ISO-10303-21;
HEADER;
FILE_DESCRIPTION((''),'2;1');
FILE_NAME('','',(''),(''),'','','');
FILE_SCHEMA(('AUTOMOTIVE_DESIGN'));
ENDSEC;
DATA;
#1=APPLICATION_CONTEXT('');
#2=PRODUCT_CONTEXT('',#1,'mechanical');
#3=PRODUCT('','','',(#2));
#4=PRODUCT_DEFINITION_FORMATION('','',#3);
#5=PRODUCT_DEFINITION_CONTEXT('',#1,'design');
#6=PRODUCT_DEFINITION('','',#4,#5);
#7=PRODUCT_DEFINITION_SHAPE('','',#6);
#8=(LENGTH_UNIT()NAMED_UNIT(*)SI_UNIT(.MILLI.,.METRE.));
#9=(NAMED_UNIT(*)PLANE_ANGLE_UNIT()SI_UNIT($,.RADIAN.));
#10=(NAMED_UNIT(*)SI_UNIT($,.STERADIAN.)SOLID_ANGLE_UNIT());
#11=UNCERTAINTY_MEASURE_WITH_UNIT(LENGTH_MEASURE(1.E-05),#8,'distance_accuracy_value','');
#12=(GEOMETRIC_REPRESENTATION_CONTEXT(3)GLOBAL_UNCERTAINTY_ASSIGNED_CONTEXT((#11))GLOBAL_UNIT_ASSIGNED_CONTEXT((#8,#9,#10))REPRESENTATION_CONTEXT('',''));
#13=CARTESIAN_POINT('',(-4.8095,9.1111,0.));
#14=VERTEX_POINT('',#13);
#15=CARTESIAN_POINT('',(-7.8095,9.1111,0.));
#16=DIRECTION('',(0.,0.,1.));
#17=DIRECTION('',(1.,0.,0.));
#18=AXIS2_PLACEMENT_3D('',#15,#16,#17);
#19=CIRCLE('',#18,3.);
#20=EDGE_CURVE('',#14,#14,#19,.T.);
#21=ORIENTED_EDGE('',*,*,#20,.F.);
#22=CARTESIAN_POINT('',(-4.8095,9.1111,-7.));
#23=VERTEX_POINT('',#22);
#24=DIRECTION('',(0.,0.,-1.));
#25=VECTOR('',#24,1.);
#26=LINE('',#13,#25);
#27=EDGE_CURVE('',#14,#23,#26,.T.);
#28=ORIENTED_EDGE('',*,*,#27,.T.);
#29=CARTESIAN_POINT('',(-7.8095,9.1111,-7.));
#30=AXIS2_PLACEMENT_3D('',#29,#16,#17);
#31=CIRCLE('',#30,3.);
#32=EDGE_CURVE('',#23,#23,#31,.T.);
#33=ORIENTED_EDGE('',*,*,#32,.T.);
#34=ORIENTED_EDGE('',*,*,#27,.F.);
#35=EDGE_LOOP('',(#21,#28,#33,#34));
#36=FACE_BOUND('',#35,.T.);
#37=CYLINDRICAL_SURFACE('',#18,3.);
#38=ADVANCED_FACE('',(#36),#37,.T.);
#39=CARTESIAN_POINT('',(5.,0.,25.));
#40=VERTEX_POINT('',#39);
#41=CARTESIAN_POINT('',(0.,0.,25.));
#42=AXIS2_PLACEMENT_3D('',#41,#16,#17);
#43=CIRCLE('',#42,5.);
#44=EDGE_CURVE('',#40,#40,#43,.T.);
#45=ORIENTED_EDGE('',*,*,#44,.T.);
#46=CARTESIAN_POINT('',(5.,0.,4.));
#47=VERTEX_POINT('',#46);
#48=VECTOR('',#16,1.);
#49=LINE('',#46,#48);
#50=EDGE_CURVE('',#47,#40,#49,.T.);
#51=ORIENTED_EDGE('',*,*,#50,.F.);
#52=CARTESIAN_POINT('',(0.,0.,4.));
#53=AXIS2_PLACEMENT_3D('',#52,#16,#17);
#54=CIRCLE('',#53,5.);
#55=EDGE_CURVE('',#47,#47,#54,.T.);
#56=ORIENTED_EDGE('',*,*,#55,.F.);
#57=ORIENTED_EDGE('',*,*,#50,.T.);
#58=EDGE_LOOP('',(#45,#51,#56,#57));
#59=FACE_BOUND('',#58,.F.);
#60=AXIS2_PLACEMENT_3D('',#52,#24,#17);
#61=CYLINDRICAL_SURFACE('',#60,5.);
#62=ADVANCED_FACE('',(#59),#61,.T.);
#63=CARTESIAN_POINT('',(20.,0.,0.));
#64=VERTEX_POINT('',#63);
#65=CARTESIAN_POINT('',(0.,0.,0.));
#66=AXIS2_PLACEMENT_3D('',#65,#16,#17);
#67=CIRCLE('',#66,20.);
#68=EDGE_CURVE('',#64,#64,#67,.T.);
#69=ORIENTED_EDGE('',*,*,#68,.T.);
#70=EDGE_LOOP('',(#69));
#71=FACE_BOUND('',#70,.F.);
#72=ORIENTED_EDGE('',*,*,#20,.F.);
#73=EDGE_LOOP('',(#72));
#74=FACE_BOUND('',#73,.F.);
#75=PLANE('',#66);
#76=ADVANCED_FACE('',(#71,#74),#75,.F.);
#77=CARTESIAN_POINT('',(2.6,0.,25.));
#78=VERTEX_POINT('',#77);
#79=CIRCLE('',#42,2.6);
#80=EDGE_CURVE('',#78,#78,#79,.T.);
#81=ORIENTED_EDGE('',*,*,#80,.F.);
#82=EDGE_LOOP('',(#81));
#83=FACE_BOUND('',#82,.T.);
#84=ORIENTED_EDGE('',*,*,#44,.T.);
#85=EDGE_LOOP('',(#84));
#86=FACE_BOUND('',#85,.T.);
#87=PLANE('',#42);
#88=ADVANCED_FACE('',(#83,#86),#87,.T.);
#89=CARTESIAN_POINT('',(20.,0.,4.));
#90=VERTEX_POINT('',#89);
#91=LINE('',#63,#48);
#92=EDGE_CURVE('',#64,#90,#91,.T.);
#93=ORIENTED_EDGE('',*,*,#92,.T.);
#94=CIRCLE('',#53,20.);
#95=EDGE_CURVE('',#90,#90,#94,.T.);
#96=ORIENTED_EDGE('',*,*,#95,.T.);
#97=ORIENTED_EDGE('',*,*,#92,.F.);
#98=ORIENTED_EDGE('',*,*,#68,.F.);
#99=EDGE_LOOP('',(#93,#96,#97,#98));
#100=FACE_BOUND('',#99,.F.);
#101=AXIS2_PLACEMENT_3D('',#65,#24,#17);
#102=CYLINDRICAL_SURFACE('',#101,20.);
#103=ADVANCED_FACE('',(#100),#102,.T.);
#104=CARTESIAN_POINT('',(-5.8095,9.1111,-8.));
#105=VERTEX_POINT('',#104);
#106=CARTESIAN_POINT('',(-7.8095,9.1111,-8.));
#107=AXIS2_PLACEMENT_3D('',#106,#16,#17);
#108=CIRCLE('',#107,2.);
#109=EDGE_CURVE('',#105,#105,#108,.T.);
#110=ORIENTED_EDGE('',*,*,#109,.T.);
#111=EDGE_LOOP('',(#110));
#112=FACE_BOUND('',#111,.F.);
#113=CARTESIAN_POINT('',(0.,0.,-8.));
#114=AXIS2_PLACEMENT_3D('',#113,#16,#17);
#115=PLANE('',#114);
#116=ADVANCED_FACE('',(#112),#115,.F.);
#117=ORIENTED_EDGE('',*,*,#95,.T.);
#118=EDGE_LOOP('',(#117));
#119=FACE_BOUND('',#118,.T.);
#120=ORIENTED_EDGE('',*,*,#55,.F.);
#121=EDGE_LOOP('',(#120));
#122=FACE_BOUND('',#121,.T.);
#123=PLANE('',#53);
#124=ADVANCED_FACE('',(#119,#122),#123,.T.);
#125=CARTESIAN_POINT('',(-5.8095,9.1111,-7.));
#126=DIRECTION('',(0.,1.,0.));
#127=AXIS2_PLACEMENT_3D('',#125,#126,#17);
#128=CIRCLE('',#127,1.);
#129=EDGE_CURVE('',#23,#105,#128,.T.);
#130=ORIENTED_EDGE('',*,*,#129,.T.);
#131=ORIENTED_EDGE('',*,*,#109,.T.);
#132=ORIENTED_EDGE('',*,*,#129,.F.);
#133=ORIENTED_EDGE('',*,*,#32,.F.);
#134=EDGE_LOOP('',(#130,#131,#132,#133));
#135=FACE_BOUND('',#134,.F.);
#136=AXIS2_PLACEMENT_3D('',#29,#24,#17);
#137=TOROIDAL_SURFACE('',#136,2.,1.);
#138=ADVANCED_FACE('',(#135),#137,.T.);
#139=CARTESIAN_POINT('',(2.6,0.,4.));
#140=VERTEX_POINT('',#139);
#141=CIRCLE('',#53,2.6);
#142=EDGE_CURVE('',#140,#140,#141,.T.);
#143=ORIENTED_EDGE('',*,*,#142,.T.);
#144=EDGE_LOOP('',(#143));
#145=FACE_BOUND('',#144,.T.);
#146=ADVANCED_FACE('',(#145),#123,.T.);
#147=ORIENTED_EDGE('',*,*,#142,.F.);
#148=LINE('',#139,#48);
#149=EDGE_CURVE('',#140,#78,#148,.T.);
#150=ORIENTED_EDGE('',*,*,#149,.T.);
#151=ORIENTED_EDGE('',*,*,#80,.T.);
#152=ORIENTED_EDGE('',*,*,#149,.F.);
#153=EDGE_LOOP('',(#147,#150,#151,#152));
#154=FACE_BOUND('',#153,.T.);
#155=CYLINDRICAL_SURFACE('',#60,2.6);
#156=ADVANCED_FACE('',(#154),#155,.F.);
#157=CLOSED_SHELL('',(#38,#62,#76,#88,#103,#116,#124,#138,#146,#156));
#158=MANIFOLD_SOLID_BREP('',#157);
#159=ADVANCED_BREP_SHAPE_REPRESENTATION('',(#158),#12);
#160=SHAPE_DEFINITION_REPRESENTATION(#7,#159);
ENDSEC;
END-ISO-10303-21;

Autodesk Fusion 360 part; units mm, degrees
sketch "Boceto1" plane through (0, 0, 0) normal (0, 0, 1) x (1, 0, 0)
  circle A0 centre (0, 0) radius 20
  circle A1 centre (0, 0) radius 2.6
  circle A2 centre (-7.8095, 9.1111) radius 3
  dimension "d1" = 40
  dimension "d2" = 5.2
  dimension "d20" = 6
  dimension "d21" = 12
extrude "Extruir1" add sketch "Boceto1" along normal blind 4 contours A0 | A1 | A2
sketch "Boceto2" plane through (0, 0, 4) normal (0, 0, 1) x (1, 0, 0)
  circle A0 centre (0, 0) radius 20
  circle A1 centre (0, 0) radius 2.6
  circle A2 centre (0, 0) radius 5
  dimension "d14" = 5.2
  dimension "d15" = 10
extrude "Extruir2" add sketch "Boceto2" along normal blind 21 contours A2
sketch "Boceto3" plane through (0, 0, 0) normal (1, 0, 0) x (0, 0, -1)
  circle A0 centre (-22, 0) radius 1
  dimension "d18" = 2
extrude "Extruir4" add sketch "Boceto1" against normal blind 8 contours A2
fillet "Empalme1" radius 1 1 edges at (-10.6065, 10.1959, -8)
